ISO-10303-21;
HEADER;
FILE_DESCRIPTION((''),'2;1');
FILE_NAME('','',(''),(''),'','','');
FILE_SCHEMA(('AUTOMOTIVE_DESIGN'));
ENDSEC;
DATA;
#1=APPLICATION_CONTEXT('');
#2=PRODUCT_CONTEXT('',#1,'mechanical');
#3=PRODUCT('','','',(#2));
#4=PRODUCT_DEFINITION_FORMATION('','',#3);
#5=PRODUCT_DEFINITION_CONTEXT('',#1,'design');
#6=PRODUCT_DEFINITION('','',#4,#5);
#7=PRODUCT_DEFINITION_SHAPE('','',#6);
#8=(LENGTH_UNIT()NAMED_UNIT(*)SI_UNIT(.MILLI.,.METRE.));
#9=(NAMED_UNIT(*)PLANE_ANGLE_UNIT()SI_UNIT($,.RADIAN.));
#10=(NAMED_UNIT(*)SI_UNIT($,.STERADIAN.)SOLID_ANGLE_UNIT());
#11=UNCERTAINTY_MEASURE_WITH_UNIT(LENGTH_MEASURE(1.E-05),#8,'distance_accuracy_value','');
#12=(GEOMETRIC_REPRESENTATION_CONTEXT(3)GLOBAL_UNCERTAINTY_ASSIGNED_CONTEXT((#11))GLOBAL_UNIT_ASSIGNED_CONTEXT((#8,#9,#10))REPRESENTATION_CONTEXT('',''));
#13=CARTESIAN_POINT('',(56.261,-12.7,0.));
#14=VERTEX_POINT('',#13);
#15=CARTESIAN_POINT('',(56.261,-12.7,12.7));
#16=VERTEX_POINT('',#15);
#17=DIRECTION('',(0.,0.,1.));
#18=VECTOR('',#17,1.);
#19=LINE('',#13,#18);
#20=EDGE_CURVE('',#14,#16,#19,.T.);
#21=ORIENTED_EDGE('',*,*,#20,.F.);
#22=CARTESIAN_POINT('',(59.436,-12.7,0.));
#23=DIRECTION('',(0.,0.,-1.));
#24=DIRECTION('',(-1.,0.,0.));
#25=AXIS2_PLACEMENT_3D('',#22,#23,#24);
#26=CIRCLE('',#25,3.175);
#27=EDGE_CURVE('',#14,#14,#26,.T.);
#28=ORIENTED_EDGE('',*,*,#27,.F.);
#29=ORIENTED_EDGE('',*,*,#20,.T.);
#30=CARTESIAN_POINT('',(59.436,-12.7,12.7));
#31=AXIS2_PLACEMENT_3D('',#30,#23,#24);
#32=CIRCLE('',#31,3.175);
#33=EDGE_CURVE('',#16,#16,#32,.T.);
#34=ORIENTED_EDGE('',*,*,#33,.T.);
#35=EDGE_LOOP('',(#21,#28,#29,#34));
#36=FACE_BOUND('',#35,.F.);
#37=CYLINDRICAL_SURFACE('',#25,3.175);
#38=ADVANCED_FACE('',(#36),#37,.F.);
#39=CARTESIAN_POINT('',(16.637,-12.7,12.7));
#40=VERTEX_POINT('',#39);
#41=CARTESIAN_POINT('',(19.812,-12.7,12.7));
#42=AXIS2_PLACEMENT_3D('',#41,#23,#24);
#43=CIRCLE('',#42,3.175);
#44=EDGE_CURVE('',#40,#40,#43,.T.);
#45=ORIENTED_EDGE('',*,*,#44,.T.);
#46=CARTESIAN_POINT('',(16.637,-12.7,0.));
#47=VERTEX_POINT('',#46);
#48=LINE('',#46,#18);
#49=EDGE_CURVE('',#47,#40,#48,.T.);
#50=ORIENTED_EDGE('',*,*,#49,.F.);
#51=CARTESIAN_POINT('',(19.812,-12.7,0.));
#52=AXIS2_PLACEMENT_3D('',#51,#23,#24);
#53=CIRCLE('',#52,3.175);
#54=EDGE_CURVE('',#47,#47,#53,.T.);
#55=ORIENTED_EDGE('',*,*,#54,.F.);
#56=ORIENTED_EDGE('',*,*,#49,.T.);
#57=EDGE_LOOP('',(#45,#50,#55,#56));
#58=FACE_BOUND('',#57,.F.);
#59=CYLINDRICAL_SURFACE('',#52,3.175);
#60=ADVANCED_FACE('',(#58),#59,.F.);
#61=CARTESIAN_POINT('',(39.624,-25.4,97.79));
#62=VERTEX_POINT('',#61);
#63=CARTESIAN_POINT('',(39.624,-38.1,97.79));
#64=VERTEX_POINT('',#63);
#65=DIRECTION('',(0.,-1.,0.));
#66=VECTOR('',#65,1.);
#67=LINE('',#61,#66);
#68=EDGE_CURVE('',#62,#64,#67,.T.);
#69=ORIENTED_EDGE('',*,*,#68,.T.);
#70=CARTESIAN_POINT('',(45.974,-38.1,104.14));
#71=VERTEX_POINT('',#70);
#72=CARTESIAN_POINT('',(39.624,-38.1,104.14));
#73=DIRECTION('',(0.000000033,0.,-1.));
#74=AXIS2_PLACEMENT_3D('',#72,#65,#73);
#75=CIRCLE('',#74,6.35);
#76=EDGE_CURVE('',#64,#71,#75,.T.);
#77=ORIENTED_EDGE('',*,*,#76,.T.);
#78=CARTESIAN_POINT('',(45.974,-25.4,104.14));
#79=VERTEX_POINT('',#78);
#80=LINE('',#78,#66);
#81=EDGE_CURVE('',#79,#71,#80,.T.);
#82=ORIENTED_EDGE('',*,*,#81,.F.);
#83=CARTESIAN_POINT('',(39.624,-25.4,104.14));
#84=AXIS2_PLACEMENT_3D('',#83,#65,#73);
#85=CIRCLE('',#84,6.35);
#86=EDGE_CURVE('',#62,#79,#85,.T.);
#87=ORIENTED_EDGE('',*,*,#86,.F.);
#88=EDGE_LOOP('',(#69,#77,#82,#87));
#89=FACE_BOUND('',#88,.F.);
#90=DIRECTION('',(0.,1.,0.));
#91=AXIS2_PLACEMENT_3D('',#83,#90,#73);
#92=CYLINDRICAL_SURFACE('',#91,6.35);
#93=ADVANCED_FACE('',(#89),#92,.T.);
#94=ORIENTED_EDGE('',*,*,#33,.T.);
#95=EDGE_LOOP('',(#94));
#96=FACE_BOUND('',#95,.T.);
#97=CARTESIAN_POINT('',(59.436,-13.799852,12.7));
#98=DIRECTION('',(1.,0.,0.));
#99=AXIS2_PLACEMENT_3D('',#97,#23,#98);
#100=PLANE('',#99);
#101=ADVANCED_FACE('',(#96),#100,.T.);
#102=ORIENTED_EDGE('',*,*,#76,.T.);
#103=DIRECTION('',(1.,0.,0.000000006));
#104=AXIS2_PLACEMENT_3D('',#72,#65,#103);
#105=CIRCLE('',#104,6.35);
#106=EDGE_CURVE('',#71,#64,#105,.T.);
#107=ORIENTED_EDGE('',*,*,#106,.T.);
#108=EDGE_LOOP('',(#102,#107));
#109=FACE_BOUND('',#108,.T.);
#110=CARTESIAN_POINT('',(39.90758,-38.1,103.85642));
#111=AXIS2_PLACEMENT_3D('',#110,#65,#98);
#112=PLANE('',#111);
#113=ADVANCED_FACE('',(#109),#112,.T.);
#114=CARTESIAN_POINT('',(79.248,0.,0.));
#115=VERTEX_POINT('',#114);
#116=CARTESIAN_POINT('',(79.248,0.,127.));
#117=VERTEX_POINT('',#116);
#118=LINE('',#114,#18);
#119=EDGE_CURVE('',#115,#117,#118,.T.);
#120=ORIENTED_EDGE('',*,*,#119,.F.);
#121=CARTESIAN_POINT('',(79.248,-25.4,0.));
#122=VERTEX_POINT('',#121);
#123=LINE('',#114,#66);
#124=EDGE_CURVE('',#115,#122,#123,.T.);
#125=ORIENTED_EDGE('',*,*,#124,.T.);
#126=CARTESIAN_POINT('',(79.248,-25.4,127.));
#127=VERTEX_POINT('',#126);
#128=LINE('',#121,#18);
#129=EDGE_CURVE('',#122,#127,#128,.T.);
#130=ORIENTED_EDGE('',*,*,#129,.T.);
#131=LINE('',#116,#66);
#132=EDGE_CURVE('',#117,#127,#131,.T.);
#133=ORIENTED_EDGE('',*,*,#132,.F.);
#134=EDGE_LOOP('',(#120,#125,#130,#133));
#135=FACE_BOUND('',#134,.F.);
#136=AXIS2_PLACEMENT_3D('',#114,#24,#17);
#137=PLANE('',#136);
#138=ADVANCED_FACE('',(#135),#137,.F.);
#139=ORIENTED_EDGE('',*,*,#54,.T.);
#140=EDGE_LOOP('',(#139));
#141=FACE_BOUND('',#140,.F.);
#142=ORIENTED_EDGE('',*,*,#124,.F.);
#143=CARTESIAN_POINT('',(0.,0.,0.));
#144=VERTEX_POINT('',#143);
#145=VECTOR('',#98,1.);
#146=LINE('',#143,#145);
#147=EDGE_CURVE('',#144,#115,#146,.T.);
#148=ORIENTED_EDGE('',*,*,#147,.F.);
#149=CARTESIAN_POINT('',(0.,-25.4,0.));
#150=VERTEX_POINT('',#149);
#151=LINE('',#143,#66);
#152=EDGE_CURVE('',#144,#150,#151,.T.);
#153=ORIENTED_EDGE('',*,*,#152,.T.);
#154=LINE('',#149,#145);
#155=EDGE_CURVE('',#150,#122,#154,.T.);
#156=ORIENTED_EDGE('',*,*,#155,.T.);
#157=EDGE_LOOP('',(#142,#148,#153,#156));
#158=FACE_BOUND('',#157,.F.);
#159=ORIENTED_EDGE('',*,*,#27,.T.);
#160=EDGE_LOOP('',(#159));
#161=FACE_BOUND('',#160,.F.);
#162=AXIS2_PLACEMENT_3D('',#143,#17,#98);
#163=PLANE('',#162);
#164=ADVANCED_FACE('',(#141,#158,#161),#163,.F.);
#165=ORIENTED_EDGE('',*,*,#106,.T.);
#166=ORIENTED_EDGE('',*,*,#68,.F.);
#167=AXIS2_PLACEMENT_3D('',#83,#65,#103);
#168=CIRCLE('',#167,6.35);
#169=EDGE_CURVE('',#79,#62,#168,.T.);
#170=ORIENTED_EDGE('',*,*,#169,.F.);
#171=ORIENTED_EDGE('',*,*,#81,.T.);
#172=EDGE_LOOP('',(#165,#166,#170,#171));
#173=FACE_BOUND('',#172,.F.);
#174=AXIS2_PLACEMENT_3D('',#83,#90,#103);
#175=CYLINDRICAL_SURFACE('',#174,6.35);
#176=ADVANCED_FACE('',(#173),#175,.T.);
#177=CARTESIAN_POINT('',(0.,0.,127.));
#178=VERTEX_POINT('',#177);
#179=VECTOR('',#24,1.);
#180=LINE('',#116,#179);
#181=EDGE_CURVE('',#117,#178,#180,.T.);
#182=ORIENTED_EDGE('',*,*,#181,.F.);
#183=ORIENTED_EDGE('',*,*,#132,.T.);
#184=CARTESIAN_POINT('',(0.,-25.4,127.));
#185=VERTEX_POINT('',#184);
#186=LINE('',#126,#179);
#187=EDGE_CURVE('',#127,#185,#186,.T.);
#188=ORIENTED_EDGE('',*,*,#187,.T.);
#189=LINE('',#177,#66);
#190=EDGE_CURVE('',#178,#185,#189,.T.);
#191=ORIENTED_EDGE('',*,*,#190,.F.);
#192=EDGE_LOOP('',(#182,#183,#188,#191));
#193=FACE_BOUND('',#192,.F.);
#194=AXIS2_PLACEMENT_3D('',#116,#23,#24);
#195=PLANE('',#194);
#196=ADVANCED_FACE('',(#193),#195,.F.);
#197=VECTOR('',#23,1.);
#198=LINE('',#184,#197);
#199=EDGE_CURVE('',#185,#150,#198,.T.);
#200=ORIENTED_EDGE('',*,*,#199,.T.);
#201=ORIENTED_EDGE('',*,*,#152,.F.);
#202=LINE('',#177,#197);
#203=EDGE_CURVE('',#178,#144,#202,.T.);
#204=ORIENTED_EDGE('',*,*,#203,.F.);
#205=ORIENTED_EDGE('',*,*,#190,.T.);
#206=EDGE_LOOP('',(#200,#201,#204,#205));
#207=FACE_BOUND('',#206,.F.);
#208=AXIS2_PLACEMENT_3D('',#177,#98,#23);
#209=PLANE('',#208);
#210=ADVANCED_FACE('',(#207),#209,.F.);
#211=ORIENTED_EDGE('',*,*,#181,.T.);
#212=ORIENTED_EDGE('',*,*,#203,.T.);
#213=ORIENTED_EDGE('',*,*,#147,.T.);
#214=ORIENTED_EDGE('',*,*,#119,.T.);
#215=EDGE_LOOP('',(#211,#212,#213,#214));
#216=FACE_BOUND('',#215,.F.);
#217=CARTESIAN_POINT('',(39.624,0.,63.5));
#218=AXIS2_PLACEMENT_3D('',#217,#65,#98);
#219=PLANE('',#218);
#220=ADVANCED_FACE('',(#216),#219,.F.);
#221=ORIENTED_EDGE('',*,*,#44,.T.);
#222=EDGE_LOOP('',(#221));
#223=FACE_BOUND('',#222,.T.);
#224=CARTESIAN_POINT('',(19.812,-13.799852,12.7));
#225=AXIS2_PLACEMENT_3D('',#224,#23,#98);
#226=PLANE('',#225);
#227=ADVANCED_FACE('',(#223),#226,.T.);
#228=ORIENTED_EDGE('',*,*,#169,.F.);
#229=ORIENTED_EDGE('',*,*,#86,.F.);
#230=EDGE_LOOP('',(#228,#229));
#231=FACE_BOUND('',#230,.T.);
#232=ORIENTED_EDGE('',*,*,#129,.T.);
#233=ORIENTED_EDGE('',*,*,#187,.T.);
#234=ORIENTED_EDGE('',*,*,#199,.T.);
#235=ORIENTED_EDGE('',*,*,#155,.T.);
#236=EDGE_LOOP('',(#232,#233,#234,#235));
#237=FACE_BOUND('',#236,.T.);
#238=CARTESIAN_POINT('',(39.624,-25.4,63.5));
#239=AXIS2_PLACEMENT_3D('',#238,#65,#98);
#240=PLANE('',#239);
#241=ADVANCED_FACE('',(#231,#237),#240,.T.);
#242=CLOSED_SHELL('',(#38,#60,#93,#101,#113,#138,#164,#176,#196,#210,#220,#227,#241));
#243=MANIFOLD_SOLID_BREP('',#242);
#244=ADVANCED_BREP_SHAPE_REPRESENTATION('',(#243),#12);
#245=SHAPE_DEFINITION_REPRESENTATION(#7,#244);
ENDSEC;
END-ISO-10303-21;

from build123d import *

# Parameters (mm, degrees)
F1_DEPTH = 25.4
F3_DEPTH = 12.7
F5_DEPTH = 12.7


with BuildPart() as f1:
    # F0 (on Front) → F1 (new body)
    with BuildSketch(Plane.XZ):
        Polygon((69.85, 127), (19.05, 127), (0, 127), (0, 0), (39.624, 0), (44.45, 0), (79.248, 0), (79.248, 127), align=None)
    extrude(amount=F1_DEPTH)

    # F2 (on face) → F3 (join)
    with BuildSketch(Plane.XZ.offset(25.4)):
        with BuildLine():
            ThreePointArc((39.624, 97.79), (44.114128, 99.649872), (45.974, 104.14))
            ThreePointArc((45.974, 104.14), (35.133872, 108.630128), (39.624, 97.79))
        make_face()
    extrude(amount=F3_DEPTH)

    # F4 (on face) → F5 (cut)
    with BuildSketch(Plane(origin=(0, 0, 0), x_dir=(1, 0, 0), z_dir=(0, 0, -1))):
        with BuildLine():
            Line((16.637, 12.7), (19.812, 12.7))
            Line((19.812, 12.7), (22.987, 12.7))
            ThreePointArc((22.987, 12.7), (19.812, 15.875), (16.637, 12.7))
        make_face()
        with BuildLine():
            Line((22.987, 12.7), (19.812, 12.7))
            Line((19.812, 12.7), (16.637, 12.7))
            ThreePointArc((16.637, 12.7), (19.812, 9.525), (22.987, 12.7))
        make_face()
        with BuildLine():
            ThreePointArc((62.611, 12.7), (59.436, 15.875), (56.261, 12.7))
            Line((56.261, 12.7), (59.436, 12.7))
            Line((59.436, 12.7), (62.611, 12.7))
        make_face()
        with BuildLine():
            Line((59.436, 12.7), (56.261, 12.7))
            ThreePointArc((56.261, 12.7), (59.436, 9.525), (62.611, 12.7))
            Line((62.611, 12.7), (59.436, 12.7))
        make_face()
    extrude(amount=-F5_DEPTH, mode=Mode.SUBTRACT)


solid = f1.part
